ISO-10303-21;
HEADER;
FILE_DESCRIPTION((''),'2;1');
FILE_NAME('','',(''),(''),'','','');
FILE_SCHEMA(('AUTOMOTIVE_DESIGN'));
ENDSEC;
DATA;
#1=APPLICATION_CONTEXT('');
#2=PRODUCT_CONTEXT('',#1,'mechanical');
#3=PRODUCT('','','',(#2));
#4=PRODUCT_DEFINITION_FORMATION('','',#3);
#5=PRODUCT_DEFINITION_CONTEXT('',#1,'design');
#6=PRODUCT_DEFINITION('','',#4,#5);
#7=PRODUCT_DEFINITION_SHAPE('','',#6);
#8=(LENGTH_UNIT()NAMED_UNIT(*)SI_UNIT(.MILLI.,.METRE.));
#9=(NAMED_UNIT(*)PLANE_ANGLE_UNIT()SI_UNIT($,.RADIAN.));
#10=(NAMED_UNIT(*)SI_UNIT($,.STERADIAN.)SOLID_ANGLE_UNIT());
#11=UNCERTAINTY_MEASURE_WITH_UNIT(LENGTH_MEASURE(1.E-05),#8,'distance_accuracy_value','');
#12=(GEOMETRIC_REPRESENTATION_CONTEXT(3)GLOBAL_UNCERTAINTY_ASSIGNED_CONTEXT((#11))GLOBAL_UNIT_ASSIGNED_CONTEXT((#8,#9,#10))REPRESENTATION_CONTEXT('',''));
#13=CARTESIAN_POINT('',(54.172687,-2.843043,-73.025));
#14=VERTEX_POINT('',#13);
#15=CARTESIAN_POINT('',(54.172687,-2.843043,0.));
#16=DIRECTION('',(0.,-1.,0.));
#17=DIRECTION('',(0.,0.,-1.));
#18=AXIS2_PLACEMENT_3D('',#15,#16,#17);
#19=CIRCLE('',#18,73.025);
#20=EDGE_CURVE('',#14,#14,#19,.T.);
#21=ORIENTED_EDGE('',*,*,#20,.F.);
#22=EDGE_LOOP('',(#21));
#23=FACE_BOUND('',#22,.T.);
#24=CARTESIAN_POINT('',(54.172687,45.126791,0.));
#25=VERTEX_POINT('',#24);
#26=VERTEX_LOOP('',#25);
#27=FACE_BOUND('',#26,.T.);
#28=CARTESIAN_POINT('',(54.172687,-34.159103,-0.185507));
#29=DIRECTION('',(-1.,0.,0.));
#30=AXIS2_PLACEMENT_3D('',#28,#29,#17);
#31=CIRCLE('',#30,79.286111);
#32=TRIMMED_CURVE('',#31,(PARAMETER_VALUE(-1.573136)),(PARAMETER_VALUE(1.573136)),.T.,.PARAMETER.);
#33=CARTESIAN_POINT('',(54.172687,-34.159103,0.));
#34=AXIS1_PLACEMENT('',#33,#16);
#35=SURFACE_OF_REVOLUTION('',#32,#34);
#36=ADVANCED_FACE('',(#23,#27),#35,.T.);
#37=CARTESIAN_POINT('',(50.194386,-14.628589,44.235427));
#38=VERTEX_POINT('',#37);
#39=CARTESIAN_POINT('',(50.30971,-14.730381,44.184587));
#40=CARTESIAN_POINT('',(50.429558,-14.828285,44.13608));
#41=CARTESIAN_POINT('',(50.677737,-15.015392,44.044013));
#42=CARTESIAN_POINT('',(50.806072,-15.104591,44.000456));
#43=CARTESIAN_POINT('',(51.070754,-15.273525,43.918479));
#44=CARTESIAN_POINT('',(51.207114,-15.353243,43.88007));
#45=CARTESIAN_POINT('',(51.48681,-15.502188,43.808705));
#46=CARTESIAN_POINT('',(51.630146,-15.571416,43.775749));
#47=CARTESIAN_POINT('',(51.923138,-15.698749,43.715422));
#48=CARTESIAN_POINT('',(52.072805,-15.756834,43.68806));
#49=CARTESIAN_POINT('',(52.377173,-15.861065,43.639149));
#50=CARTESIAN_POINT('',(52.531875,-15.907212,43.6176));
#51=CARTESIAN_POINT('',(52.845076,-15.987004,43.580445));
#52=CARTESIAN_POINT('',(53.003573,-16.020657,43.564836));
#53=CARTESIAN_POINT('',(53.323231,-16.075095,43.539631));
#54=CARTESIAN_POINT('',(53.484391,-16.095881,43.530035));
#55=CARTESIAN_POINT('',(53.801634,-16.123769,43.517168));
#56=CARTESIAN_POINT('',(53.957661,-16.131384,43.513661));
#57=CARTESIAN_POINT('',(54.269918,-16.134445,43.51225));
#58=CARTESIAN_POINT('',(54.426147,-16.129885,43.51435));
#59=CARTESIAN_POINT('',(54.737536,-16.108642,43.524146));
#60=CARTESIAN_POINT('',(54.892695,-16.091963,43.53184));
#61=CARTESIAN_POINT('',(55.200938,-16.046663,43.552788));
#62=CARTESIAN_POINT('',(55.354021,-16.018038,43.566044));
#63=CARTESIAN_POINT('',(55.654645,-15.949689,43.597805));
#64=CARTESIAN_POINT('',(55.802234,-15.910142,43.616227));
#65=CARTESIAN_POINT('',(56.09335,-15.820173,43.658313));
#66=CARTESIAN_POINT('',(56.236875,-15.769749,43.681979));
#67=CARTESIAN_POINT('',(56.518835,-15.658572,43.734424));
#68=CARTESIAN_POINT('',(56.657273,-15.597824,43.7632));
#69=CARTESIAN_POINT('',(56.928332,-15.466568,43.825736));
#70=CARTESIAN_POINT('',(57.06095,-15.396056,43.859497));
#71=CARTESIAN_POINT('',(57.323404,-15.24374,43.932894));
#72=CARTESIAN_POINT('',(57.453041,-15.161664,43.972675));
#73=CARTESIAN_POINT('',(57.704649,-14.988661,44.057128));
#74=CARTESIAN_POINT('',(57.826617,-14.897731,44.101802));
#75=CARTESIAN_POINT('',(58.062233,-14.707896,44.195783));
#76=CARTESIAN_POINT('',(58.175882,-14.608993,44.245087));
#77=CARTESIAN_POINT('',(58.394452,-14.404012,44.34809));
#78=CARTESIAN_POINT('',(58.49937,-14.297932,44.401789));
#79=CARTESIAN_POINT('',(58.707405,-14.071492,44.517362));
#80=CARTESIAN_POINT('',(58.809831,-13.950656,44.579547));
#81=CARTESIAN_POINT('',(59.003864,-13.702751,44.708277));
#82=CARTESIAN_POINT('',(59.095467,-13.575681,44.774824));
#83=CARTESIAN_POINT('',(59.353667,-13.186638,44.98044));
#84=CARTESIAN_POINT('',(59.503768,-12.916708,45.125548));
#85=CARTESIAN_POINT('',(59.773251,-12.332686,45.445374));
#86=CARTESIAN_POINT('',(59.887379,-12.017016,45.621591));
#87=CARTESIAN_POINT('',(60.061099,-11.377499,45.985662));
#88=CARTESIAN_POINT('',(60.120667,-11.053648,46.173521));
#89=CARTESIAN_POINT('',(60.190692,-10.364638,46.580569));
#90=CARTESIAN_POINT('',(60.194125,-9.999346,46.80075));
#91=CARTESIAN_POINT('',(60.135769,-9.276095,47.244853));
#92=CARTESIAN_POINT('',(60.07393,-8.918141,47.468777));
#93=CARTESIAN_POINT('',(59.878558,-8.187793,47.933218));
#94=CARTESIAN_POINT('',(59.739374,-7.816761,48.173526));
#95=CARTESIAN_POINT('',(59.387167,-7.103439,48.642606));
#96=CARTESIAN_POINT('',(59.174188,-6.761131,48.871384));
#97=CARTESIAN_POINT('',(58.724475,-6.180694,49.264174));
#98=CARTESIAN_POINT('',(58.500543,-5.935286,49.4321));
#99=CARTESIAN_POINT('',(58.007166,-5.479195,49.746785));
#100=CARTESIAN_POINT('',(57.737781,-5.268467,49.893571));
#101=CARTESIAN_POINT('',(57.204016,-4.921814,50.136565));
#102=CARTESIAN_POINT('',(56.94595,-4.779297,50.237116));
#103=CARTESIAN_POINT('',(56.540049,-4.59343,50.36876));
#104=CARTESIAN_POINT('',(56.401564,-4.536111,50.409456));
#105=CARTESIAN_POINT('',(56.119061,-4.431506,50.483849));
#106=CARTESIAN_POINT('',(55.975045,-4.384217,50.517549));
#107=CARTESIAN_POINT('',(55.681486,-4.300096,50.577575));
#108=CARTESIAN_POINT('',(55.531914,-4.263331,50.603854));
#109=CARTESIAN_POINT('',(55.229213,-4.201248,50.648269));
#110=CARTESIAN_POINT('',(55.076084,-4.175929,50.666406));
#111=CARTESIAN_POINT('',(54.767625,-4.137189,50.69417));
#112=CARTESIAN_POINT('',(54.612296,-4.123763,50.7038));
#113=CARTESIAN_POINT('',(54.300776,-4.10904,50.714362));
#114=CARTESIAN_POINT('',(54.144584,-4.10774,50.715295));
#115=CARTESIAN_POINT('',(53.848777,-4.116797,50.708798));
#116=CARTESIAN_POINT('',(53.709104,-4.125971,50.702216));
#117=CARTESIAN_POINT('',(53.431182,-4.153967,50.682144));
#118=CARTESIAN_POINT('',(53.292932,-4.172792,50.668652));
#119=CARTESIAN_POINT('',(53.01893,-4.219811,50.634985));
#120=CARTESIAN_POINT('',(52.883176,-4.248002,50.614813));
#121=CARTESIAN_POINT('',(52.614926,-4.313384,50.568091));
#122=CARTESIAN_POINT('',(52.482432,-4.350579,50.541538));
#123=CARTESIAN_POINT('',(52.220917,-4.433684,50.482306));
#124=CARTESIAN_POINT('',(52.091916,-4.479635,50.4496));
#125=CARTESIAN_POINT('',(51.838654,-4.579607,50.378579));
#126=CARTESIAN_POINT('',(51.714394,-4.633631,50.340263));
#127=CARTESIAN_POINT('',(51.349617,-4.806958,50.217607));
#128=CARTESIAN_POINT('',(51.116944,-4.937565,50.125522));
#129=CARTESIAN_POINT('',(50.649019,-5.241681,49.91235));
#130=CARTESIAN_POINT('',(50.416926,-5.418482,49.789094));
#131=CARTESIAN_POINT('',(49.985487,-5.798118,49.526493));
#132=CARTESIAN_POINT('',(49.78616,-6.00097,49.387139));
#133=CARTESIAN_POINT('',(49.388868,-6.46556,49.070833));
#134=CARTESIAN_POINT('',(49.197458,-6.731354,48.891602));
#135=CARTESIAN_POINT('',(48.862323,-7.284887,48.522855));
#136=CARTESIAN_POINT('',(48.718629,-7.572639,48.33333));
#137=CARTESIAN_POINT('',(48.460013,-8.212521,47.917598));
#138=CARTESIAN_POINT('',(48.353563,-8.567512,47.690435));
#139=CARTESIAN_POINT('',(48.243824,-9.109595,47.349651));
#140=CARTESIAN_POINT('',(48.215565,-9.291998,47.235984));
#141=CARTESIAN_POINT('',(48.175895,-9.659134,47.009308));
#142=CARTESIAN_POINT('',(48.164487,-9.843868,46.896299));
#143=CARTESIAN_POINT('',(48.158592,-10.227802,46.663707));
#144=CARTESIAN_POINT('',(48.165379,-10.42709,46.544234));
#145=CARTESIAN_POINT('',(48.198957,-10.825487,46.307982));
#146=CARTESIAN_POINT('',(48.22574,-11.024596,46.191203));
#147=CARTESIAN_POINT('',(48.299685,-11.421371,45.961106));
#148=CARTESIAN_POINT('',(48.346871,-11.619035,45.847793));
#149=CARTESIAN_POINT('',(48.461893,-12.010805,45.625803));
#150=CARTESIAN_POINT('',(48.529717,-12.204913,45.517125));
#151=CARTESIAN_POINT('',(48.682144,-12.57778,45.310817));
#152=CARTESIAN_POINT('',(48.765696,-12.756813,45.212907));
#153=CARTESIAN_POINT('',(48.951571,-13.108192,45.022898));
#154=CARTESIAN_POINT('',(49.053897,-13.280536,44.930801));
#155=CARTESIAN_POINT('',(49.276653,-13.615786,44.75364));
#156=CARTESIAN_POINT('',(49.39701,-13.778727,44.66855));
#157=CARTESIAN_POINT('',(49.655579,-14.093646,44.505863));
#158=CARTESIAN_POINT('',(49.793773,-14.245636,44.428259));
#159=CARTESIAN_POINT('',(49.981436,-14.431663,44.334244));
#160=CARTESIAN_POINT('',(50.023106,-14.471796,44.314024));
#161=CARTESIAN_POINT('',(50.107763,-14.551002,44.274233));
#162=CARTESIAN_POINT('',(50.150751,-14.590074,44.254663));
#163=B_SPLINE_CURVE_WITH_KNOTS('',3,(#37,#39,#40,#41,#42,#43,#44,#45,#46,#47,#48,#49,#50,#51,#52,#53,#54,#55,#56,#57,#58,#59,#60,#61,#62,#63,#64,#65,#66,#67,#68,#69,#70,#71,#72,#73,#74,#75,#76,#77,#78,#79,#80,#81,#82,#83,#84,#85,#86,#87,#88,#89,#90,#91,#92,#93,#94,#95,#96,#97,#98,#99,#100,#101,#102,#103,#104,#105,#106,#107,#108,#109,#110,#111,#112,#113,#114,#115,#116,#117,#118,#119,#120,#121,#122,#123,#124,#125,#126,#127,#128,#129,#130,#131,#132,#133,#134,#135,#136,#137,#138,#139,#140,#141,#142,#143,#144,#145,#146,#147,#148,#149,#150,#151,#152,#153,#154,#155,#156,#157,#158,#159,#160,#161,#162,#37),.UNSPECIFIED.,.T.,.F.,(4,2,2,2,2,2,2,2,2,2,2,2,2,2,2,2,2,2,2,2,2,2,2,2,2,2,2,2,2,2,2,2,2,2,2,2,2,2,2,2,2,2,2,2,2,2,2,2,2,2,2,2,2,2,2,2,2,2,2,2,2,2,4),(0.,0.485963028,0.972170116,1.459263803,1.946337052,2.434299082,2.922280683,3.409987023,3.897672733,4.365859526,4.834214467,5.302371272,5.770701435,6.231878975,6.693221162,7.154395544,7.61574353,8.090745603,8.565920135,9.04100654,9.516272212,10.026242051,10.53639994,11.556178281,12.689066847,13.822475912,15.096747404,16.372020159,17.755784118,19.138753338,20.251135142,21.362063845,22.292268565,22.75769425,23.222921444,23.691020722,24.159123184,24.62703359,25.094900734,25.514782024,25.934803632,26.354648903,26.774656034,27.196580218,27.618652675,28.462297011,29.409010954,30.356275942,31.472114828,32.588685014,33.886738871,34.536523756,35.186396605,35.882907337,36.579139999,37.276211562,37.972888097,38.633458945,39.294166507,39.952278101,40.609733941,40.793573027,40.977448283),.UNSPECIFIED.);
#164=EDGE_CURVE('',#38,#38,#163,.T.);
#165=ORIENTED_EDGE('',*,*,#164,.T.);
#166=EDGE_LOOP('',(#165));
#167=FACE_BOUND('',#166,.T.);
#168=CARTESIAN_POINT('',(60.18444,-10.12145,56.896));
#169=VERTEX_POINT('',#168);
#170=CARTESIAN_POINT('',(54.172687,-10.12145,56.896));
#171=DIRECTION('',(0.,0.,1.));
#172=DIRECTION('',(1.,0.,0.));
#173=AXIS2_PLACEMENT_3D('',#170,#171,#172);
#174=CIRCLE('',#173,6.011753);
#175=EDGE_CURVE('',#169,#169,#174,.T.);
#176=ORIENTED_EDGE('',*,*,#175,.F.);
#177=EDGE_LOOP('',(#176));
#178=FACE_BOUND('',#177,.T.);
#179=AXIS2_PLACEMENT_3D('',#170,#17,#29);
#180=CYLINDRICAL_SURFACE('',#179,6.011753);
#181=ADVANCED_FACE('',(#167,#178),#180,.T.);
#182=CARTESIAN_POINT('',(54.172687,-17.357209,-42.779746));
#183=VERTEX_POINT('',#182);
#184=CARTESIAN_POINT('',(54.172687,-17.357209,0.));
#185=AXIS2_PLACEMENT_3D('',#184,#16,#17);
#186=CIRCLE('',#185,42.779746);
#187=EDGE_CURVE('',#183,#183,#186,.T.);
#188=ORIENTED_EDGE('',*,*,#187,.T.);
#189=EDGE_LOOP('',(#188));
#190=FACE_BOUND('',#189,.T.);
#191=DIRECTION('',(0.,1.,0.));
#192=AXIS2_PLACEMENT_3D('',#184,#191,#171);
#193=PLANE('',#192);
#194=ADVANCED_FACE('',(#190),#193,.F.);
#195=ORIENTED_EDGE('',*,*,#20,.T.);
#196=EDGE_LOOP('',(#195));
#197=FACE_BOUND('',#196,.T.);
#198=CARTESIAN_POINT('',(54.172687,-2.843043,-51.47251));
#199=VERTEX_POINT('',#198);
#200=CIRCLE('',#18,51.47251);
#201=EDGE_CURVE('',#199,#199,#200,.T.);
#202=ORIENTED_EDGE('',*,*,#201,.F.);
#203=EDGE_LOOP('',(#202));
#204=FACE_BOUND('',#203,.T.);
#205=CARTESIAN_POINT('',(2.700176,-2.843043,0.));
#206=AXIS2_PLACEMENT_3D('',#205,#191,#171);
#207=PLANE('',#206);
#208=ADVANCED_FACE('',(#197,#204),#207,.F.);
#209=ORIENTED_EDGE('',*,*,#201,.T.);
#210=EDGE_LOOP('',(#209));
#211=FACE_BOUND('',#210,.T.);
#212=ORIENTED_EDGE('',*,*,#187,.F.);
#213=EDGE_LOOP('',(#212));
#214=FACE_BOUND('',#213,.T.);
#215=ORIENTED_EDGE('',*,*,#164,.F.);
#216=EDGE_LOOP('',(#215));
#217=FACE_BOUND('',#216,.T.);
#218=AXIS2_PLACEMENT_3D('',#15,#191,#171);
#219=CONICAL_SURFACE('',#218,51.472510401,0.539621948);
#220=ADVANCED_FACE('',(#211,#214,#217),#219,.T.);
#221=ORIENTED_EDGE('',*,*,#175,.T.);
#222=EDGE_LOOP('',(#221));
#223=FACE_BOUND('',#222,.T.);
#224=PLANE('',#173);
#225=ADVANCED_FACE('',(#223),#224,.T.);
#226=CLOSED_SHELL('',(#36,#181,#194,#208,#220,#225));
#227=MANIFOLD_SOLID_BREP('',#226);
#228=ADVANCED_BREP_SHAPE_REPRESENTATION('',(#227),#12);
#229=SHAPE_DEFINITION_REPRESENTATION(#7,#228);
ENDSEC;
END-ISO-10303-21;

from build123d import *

# Parameters (mm, degrees)
SKETCH4_R           = 6.011753219
BOSS_EXTRUDE1_DEPTH = 56.896


with BuildPart() as part:
    # Sketch2 → Revolve2 (revolve)
    with BuildSketch(Plane.XY, mode=Mode.PRIVATE) as revolve2_sk:
        with BuildLine():
            Line((54.17268681, -17.357208877), (54.17268681, 45.126791123))
            ThreePointArc((54.17268681, 45.126791123), (10.456424572, 32.108239932), (-18.85231319, -2.84304259))
            Line((-18.85231319, -2.84304259), (2.700176409, -2.84304259))
            Line((2.700176409, -2.84304259), (11.392940607, -17.357208877))
            Line((11.392940607, -17.357208877), (54.17268681, -17.357208877))
        make_face()
    revolve(revolve2_sk.sketch.rotate(Axis((54.17268681, -17.357208877, 0), (0, 1, 0)), 270), axis=Axis((54.17268681, -17.357208877, 0), (0, 1, 0)))

    # Sketch4 → Boss-Extrude1 (add)
    with BuildSketch(Plane.XY):
        with Locations(Location((54.17268681, -10.121449935, 0), (0, 0, 228.566233485))):
            Circle(SKETCH4_R)
    extrude(amount=BOSS_EXTRUDE1_DEPTH)


solid = part.part
